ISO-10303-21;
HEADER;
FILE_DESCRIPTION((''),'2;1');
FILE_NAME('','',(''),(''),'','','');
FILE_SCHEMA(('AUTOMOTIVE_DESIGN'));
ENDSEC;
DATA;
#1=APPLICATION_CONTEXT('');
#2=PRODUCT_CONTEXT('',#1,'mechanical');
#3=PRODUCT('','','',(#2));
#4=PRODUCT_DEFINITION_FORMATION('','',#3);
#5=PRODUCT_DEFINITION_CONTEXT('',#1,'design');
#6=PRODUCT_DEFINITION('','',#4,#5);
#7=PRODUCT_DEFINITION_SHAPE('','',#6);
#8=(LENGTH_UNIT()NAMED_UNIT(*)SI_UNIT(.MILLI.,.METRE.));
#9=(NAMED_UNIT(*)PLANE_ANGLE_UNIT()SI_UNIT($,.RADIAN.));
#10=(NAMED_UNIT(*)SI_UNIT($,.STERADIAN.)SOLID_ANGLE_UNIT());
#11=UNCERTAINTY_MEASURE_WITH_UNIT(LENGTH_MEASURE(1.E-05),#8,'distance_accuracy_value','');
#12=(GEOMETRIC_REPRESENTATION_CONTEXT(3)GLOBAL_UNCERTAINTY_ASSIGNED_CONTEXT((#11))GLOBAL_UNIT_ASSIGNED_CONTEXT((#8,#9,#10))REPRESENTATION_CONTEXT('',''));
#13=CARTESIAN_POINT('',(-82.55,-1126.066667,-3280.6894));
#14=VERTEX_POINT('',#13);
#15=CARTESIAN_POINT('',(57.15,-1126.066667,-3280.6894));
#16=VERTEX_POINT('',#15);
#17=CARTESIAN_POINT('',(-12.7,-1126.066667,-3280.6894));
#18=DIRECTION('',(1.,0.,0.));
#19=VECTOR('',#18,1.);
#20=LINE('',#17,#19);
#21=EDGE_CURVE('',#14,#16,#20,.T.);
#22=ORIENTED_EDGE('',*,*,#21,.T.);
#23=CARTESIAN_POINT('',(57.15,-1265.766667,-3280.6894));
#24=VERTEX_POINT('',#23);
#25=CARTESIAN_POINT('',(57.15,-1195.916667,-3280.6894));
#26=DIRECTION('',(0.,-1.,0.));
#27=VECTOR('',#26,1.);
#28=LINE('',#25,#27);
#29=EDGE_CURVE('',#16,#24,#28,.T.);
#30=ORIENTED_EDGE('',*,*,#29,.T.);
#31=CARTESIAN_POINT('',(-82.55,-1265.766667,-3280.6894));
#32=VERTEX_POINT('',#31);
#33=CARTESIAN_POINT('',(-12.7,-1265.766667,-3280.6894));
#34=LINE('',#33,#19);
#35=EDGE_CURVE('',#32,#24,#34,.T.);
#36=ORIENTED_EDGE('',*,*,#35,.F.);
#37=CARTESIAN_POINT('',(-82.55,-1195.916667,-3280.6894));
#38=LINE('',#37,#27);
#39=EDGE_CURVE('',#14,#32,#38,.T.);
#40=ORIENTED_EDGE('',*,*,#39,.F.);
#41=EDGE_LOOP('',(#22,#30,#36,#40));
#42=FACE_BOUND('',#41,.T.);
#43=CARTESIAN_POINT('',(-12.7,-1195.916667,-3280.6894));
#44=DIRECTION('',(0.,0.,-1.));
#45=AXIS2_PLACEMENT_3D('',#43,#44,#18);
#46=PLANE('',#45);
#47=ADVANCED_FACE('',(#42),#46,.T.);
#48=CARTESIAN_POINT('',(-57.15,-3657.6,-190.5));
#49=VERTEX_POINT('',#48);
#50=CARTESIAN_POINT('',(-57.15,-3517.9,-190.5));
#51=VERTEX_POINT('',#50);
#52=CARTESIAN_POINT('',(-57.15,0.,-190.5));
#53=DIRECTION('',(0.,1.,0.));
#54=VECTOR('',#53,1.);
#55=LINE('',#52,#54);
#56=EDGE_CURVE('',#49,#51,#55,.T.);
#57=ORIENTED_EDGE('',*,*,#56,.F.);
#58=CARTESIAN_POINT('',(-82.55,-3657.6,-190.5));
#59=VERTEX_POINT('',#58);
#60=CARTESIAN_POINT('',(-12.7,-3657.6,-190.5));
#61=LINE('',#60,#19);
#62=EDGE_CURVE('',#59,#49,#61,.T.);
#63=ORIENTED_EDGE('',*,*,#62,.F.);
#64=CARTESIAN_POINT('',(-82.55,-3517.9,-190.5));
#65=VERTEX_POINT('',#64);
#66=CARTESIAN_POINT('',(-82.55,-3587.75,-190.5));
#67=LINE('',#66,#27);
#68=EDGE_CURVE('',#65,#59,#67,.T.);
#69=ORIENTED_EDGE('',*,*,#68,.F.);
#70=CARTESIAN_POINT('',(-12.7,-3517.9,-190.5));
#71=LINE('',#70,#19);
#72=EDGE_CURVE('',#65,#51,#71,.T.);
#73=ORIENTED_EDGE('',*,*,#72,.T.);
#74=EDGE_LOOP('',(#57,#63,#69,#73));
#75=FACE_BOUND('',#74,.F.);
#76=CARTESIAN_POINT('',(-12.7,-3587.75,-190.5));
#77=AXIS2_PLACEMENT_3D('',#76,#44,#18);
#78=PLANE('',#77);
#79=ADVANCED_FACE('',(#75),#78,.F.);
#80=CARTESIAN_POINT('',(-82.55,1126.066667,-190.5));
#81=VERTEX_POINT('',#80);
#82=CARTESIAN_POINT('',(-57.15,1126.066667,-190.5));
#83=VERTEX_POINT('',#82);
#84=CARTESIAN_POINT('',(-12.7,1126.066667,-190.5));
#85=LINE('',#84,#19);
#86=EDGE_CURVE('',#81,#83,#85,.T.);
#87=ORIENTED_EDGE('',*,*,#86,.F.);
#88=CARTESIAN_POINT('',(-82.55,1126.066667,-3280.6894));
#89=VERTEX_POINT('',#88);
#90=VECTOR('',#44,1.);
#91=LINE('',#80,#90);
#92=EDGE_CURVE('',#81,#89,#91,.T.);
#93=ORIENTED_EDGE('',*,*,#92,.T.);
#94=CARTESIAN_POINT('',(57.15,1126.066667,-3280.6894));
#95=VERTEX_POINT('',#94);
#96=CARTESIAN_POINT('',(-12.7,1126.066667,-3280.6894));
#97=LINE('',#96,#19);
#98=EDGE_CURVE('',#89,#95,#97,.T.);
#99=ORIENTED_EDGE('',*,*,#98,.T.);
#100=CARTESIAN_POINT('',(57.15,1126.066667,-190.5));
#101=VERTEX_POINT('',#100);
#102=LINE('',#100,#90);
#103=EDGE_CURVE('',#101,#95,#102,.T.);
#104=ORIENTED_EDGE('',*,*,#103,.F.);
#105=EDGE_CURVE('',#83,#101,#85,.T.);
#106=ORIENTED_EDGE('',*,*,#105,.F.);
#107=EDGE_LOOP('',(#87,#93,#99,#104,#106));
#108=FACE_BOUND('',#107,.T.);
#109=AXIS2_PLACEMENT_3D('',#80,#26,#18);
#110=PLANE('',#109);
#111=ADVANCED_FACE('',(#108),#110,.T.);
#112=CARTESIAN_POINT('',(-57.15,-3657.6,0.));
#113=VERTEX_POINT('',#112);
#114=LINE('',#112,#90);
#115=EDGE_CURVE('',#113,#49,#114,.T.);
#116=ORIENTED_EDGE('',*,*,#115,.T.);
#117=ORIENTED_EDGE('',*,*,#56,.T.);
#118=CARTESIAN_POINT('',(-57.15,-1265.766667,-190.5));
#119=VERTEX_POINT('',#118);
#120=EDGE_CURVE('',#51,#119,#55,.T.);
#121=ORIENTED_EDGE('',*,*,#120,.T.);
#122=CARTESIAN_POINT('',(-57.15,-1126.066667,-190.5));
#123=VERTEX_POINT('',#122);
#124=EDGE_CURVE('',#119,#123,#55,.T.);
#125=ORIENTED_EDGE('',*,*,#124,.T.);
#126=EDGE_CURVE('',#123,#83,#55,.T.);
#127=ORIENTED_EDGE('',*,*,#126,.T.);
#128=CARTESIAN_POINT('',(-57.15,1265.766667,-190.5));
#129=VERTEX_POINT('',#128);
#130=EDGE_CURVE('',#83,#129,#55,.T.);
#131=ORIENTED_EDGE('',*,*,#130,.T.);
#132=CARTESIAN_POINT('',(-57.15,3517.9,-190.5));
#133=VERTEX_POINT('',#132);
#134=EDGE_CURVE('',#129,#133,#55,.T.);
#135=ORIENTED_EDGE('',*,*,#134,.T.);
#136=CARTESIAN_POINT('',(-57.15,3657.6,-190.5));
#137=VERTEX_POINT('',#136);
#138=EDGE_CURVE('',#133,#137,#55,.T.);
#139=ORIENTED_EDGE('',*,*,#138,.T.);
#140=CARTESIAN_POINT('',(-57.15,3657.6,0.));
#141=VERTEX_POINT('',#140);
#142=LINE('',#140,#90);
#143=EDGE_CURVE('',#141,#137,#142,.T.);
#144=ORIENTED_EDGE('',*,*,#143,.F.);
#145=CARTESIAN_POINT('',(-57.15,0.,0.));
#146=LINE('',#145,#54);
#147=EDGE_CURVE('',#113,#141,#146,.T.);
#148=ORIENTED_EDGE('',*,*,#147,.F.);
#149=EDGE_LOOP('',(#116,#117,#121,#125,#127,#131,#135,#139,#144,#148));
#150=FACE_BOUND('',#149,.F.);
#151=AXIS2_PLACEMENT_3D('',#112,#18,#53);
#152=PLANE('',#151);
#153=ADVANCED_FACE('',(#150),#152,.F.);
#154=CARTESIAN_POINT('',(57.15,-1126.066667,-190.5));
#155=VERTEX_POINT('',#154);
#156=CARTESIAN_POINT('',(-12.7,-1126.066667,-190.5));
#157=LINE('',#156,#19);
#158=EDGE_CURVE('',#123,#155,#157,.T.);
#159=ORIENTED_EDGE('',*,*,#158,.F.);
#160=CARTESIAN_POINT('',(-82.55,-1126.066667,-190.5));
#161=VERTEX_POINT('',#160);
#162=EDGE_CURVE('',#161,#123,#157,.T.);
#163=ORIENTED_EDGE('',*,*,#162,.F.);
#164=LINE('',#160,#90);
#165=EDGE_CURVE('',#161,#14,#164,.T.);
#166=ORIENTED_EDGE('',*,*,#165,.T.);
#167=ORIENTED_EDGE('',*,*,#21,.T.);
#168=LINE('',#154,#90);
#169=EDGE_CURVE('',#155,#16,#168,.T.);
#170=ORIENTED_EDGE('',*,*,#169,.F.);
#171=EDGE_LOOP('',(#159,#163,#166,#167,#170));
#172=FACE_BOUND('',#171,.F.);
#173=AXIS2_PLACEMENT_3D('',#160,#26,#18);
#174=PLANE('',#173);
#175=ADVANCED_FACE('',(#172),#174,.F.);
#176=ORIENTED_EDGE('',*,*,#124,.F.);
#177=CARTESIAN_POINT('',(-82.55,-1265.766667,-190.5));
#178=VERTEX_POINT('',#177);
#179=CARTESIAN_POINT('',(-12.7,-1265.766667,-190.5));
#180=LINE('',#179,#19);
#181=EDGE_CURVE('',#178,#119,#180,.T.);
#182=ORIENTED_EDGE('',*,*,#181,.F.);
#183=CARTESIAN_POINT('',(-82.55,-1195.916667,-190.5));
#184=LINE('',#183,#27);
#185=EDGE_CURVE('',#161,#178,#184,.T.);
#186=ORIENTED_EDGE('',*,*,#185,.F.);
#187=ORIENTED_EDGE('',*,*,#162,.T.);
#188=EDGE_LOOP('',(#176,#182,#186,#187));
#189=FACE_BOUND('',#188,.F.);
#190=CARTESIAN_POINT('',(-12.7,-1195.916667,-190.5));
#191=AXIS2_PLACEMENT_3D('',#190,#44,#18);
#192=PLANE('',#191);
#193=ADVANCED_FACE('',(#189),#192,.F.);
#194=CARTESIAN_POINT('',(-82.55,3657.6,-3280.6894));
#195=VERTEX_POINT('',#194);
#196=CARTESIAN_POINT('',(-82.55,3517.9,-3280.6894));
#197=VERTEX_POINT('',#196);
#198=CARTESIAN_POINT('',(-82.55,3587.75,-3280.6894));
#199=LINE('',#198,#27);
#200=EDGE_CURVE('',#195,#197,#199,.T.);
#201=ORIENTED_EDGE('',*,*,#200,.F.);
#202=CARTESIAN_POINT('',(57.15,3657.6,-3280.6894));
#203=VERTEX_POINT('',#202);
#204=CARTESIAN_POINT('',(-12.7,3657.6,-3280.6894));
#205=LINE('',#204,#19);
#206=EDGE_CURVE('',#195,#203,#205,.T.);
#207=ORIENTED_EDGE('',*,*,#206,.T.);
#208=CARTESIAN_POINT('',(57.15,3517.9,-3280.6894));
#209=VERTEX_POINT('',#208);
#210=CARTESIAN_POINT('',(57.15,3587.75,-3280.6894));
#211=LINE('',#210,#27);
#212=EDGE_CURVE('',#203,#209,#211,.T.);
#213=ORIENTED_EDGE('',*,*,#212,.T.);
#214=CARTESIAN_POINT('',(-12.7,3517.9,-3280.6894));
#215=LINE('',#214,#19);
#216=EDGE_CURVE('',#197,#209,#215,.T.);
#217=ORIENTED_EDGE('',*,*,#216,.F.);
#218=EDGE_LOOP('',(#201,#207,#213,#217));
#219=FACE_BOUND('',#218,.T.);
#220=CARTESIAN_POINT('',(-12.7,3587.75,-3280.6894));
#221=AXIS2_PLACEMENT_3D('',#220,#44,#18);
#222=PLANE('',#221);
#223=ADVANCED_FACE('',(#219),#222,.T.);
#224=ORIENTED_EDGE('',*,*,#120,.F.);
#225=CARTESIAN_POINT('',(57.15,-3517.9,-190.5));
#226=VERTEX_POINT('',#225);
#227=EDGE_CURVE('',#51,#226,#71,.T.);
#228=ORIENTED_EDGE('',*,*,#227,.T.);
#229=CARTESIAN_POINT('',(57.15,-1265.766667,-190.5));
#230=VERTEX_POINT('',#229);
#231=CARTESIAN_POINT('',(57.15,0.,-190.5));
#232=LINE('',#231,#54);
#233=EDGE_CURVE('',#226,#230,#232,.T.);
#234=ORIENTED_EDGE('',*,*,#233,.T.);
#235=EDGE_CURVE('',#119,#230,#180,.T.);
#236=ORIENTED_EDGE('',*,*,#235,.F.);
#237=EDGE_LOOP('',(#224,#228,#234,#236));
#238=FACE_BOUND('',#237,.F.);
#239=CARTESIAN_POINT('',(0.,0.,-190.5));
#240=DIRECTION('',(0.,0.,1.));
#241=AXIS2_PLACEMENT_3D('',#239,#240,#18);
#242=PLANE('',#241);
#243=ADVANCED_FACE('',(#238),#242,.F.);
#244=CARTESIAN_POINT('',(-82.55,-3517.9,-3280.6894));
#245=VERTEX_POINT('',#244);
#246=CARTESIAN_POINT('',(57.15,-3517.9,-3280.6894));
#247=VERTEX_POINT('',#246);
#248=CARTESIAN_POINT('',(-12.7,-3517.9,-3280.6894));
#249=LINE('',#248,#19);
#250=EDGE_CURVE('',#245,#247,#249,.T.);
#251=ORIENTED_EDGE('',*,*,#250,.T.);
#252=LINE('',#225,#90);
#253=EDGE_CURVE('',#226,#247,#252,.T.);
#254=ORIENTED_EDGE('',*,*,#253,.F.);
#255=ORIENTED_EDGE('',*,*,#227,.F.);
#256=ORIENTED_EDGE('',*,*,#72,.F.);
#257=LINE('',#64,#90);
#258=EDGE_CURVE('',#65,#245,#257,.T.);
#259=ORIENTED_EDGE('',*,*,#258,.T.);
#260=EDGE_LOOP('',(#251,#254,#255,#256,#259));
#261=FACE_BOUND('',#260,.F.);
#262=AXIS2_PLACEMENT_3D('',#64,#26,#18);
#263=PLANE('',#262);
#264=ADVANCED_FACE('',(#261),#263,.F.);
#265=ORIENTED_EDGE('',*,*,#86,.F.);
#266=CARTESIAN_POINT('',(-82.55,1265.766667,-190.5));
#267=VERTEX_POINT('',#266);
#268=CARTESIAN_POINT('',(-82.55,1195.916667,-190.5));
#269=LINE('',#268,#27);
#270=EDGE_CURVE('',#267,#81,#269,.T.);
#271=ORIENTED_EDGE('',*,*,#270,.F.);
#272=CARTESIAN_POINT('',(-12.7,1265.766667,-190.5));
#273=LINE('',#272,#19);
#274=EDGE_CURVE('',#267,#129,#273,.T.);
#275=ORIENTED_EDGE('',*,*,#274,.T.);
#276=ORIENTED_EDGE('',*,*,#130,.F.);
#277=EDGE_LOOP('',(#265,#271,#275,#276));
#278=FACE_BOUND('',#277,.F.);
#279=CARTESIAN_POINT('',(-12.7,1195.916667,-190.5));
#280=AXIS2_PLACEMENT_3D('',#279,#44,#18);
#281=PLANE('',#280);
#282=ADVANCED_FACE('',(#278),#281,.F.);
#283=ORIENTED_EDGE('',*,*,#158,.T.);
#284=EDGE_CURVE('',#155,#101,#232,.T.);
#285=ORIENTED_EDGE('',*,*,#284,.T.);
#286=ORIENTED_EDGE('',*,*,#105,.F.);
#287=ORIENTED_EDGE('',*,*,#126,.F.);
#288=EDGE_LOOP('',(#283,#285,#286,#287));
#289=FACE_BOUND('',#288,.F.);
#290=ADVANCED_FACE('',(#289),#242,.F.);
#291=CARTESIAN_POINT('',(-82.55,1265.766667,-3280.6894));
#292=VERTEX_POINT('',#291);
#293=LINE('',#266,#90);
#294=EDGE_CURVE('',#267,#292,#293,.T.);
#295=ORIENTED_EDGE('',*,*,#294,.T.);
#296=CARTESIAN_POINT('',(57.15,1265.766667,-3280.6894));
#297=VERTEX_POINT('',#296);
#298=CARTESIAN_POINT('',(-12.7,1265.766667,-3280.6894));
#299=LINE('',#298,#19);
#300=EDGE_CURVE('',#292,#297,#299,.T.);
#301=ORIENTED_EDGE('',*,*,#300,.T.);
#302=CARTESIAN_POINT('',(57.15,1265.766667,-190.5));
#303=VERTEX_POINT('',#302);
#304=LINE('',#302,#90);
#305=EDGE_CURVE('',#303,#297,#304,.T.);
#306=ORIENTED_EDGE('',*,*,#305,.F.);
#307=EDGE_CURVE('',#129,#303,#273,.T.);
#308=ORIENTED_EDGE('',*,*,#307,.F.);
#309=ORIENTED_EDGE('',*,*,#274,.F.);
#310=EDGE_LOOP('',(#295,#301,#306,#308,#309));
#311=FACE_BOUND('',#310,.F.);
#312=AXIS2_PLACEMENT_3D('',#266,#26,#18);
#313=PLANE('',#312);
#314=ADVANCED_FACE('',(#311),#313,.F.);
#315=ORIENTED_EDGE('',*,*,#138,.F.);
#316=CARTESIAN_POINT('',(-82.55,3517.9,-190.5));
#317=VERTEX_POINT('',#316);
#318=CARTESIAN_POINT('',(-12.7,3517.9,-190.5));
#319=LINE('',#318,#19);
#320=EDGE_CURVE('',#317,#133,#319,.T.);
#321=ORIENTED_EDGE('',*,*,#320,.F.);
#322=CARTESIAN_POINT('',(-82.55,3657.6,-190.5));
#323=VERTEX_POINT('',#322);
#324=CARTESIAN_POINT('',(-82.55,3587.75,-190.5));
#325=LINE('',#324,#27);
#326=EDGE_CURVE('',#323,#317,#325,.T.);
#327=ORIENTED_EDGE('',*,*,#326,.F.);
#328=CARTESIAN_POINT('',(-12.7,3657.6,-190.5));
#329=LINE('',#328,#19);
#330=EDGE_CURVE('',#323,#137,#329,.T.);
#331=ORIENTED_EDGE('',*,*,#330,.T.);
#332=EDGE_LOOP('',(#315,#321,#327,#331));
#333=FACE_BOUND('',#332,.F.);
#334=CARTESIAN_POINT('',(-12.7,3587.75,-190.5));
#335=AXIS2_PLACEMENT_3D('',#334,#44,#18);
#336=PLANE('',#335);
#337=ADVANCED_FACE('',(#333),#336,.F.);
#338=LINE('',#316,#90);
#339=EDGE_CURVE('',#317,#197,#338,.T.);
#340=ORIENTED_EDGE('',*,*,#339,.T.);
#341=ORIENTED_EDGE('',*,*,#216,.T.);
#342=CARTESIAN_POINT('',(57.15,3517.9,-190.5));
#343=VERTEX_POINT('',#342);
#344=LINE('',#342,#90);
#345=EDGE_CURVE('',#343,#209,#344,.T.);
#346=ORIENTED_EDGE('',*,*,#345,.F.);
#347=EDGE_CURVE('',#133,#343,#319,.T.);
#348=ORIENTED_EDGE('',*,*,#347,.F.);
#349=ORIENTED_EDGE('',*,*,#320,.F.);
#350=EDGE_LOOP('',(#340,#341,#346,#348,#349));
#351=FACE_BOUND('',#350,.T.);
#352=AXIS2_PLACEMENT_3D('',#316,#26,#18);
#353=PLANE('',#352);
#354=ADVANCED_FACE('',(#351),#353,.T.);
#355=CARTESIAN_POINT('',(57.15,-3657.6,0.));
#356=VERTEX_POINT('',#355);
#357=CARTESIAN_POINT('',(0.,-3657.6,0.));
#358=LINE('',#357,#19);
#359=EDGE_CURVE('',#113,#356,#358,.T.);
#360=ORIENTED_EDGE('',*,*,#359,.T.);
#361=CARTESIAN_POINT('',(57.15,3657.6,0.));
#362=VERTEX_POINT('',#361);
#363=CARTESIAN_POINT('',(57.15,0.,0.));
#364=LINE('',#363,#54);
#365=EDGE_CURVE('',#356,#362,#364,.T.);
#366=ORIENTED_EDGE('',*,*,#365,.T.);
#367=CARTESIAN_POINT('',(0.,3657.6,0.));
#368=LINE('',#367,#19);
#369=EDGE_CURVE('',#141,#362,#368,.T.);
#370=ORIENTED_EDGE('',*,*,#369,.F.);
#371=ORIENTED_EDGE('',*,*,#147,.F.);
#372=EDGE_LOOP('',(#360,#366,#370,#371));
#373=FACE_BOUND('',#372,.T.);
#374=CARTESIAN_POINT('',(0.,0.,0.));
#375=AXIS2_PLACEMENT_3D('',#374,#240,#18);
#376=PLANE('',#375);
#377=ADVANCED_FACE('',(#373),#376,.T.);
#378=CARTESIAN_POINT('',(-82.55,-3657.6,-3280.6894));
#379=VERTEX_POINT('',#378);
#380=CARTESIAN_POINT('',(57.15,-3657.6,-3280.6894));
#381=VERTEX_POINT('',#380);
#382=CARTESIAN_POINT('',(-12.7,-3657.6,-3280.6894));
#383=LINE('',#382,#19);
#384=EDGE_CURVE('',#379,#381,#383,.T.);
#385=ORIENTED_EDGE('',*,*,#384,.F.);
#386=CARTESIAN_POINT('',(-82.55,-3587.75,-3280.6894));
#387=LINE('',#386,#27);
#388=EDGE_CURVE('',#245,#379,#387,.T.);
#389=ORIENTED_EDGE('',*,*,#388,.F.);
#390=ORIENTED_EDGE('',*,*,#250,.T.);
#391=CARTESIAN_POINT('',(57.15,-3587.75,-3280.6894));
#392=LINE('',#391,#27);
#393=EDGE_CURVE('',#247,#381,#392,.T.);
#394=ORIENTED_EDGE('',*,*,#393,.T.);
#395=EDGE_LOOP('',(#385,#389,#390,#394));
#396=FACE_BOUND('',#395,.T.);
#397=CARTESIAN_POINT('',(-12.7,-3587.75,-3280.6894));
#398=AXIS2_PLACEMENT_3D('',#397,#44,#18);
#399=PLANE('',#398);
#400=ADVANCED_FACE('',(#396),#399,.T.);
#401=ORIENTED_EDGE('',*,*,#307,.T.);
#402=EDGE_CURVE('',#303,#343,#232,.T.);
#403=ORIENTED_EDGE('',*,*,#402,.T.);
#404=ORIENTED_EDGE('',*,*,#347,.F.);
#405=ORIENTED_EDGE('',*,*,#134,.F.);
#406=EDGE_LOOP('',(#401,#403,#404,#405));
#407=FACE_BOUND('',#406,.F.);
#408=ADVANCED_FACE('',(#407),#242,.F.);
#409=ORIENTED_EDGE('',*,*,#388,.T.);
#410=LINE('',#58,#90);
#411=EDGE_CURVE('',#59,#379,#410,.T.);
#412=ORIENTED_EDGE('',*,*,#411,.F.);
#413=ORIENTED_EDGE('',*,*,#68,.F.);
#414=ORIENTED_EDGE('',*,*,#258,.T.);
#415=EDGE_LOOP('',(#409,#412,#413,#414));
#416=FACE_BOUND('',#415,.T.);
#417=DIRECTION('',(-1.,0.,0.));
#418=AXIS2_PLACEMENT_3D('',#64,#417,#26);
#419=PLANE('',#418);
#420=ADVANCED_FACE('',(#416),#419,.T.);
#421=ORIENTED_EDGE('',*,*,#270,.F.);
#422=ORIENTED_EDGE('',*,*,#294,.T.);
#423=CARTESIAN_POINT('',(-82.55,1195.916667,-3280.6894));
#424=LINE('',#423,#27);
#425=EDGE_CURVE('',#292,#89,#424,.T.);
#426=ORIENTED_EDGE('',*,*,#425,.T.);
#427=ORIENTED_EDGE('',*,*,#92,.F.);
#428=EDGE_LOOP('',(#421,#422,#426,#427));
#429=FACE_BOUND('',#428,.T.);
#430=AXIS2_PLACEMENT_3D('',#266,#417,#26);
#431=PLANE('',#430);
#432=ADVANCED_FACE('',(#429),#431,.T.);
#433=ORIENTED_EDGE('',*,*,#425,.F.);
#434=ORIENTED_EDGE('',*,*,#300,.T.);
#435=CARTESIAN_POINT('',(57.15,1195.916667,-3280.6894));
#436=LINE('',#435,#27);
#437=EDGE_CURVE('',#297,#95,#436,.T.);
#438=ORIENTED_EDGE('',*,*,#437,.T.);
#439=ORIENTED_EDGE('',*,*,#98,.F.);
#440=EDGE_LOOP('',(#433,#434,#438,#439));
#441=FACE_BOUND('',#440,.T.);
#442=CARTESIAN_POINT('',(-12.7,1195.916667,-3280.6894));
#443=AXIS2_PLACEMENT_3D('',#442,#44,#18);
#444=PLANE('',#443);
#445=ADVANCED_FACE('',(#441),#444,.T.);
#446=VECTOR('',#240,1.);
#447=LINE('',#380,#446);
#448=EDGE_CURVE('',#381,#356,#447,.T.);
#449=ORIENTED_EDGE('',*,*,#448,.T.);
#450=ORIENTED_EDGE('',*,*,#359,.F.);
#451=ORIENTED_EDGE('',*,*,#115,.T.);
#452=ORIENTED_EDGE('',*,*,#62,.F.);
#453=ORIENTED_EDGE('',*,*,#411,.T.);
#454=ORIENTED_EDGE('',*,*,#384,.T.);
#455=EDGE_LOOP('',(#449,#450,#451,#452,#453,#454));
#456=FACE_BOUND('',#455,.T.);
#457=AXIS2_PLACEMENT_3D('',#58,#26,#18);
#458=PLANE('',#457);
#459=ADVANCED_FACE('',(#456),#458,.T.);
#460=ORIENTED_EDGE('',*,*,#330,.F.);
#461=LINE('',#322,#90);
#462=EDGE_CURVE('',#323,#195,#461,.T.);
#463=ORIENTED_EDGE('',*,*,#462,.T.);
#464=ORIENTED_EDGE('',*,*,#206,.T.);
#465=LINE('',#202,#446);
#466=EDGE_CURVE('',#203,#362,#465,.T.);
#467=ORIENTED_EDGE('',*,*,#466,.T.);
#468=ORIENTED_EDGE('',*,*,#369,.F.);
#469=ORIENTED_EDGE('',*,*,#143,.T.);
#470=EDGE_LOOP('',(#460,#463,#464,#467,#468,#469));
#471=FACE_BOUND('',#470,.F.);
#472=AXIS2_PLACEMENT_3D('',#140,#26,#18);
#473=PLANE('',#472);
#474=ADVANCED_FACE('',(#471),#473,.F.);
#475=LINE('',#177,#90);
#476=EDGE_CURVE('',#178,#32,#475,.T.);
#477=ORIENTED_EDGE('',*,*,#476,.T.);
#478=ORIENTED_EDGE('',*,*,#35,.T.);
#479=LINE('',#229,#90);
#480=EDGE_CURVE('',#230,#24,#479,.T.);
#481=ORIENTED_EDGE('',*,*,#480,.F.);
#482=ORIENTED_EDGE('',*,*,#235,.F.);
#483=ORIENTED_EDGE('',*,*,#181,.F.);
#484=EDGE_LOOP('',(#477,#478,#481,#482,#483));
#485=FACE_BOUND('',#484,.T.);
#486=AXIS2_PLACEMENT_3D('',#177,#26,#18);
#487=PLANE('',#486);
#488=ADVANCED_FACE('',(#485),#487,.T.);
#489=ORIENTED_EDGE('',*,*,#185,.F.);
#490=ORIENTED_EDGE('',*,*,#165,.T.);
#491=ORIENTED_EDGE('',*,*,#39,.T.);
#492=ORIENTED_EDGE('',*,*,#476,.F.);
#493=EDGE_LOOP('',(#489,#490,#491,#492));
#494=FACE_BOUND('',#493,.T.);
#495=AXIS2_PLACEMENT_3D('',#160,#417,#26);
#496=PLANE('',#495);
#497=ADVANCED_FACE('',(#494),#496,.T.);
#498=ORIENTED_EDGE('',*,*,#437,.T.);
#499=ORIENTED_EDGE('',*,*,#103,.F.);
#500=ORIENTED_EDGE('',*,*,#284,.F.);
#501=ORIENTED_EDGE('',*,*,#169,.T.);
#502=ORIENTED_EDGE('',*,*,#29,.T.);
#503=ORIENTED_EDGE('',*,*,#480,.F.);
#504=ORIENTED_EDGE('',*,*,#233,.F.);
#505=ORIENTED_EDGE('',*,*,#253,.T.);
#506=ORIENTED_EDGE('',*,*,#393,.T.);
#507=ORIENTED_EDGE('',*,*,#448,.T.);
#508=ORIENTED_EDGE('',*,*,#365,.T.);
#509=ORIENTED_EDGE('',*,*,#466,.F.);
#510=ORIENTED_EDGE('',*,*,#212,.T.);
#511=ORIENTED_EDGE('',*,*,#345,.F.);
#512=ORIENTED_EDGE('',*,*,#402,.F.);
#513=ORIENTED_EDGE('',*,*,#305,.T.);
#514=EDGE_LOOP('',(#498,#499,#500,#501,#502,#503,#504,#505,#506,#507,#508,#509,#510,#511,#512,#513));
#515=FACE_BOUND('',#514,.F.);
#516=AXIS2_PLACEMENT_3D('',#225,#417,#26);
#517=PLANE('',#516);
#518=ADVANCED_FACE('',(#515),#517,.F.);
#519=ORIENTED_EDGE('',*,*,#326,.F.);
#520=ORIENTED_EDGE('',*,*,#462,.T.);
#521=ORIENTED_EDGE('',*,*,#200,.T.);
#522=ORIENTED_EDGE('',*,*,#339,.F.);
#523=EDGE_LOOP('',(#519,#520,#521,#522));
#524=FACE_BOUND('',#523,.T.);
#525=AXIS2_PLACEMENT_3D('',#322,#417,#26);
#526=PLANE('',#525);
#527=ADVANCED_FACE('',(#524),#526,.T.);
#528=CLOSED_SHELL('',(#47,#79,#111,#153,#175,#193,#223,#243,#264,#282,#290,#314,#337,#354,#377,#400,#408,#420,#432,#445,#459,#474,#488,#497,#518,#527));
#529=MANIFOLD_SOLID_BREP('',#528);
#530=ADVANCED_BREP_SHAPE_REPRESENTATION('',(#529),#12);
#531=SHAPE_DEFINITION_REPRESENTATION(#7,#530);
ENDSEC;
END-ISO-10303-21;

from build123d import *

# Parameters (mm, degrees)
F0_W     = 114.3
F0_H     = 7315.2
F1_DEPTH = 190.5
F2_W     = 139.7
F2_H     = 139.7
F3_DEPTH = 3090.1894


with BuildPart() as f1:
    # F0 (on Top) → F1 (new body)
    with BuildSketch(Plane.XY):
        Rectangle(F0_W, F0_H)
    extrude(amount=-F1_DEPTH)

    # F2 (on face) → F3 (join)
    with BuildSketch(Plane(origin=(0, 0, -190.5), x_dir=(1, 0, 0), z_dir=(0, 0, -1))):
        with Locations((-12.7, 3587.75)):
            Rectangle(F2_W, F2_H)
        with Locations((-12.7, 1195.916667)):
            Rectangle(F2_W, F2_H)
        with Locations((-12.7, -1195.916667)):
            Rectangle(F2_W, F2_H)
        with Locations((-12.7, -3587.75)):
            Rectangle(F2_W, F2_H)
    extrude(amount=F3_DEPTH)


solid = f1.part
